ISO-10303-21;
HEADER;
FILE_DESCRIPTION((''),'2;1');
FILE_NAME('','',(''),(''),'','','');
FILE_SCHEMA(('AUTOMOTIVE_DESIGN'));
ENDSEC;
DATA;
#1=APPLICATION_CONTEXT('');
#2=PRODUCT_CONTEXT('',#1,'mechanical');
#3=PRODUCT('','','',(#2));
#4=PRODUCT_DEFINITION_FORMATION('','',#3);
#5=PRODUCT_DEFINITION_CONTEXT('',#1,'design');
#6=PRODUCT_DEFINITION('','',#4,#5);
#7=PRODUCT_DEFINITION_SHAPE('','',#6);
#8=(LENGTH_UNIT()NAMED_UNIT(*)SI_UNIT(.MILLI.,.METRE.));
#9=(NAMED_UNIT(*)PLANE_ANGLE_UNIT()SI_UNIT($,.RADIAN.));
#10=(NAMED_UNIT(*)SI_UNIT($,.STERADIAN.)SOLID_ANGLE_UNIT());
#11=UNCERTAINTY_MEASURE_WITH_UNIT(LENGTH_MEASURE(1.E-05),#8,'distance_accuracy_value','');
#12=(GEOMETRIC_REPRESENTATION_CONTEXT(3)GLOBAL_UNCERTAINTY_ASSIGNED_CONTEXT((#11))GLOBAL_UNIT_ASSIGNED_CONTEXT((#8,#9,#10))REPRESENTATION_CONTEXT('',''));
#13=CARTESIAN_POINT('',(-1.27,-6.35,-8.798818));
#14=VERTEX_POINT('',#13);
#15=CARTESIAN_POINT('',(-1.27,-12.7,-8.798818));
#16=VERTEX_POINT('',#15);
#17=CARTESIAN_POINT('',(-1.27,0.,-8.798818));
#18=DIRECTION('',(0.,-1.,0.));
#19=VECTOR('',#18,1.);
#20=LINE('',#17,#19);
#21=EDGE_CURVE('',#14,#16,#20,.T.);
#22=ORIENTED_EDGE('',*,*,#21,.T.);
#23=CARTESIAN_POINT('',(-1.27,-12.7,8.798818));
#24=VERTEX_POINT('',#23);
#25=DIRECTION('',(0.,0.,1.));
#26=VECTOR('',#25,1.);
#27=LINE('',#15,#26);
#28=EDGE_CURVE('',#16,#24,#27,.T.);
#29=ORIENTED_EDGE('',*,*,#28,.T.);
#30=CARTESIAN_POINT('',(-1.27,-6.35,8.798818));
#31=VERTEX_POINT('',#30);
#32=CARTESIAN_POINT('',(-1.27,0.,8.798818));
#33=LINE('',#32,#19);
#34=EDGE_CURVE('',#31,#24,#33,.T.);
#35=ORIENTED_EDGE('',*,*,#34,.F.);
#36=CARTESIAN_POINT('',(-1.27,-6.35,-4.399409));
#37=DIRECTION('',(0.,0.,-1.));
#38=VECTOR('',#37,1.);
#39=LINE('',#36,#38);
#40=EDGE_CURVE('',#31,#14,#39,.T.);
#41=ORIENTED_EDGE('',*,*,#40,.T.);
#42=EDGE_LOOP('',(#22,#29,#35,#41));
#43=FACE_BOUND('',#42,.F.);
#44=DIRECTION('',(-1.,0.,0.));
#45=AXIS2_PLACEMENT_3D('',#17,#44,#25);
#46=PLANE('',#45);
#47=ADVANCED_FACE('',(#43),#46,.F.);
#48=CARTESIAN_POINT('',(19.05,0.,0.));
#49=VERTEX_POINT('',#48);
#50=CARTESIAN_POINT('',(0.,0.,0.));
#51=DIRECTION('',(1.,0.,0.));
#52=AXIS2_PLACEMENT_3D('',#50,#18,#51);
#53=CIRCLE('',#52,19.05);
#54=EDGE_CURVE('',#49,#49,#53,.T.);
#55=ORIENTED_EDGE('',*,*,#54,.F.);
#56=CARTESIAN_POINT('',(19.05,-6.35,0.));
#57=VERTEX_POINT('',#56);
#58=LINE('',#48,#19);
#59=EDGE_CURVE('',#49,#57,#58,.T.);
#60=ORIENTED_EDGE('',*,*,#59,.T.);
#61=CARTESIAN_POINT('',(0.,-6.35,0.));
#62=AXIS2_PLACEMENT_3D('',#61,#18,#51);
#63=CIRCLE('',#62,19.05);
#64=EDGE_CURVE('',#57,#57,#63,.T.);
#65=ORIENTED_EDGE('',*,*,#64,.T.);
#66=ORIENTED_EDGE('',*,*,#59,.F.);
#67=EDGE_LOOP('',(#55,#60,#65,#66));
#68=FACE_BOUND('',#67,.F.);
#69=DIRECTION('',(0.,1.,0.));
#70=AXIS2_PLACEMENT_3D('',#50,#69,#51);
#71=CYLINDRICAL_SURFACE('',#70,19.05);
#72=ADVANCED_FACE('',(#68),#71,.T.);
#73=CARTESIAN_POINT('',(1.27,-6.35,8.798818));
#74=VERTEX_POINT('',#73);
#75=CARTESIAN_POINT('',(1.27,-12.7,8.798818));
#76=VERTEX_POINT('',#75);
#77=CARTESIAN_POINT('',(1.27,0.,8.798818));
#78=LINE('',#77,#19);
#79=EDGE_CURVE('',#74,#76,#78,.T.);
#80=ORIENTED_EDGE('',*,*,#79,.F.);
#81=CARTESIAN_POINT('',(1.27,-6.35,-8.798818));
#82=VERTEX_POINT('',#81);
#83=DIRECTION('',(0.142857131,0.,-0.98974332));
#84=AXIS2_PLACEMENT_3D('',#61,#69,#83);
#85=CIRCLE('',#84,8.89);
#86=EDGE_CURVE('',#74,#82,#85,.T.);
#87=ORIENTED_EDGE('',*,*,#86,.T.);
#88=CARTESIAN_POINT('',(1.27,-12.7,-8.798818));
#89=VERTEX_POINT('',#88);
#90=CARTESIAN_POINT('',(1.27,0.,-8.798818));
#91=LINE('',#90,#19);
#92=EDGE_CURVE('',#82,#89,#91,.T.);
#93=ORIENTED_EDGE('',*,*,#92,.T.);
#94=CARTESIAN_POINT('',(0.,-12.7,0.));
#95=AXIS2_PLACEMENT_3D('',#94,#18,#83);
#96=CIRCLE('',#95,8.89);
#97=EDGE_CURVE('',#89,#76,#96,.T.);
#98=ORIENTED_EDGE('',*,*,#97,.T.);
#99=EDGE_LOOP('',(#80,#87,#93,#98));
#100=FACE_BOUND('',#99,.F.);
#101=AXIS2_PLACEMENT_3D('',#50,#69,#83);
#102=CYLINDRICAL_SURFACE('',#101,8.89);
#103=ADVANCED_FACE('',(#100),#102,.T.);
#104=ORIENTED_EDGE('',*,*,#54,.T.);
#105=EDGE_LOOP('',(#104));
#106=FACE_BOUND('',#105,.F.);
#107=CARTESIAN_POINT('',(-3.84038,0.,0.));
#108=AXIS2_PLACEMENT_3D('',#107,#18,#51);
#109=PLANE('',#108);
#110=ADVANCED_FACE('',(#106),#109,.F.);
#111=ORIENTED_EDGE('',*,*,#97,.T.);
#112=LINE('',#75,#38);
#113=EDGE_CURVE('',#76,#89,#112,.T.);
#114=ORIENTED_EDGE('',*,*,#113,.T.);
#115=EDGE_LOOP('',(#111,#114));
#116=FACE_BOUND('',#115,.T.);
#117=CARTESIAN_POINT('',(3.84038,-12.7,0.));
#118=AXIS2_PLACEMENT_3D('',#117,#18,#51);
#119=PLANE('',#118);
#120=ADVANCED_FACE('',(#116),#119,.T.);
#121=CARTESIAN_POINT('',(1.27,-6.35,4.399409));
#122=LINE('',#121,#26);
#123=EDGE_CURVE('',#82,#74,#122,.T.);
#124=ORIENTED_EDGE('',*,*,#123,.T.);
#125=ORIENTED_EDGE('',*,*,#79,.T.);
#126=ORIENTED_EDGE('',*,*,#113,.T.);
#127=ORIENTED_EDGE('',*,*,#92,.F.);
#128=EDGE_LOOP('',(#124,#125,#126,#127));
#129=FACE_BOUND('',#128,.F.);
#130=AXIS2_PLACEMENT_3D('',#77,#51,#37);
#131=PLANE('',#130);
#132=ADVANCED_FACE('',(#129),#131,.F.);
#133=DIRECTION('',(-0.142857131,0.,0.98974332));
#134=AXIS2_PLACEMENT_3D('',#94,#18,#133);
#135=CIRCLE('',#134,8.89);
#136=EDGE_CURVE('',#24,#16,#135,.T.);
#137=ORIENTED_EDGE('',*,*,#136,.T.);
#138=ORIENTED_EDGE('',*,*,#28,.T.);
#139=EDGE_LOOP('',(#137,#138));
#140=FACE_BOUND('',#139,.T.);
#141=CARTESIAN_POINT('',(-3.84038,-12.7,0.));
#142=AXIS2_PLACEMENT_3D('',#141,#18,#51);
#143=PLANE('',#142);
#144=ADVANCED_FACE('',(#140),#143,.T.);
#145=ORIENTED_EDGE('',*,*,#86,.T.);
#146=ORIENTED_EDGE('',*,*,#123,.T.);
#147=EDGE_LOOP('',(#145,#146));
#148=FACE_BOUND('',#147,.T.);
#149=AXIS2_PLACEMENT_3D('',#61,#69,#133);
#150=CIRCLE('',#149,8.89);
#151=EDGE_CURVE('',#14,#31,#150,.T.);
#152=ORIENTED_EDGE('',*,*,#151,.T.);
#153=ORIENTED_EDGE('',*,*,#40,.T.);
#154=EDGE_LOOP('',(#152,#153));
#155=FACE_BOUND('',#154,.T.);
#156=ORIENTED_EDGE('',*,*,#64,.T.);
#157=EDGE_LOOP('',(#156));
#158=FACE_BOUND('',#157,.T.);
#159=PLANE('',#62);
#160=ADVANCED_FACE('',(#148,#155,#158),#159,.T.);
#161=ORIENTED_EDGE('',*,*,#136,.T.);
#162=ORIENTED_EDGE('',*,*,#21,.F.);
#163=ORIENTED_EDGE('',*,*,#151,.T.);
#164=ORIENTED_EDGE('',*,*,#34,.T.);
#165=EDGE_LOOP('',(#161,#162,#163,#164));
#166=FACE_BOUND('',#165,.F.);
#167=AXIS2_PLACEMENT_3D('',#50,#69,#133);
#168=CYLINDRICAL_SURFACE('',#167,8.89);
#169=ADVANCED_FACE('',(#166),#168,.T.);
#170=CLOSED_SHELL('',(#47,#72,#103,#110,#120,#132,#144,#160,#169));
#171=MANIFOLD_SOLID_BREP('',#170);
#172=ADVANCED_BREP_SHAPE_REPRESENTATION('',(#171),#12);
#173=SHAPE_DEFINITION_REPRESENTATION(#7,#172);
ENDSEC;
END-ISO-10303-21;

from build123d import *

# Parameters (mm, degrees)
F0_R     = 19.05
F1_DEPTH = 6.35
F3_DEPTH = 38.1
F4_DEPTH = 25.4


with BuildPart() as f1:
    # F0 (on Front) → F1 (new body)
    with BuildSketch(Plane.XZ):
        Circle(F0_R)
    extrude(amount=F1_DEPTH)

    # F2 (on Front) → F3 (join)
    with BuildSketch(Plane.XZ):
        with BuildLine():
            Line((-1.27, -8.798818), (-1.27, 8.798818))
            ThreePointArc((-1.27, 8.798818), (-8.89, 0), (-1.27, -8.798818))
        make_face()
        with BuildLine():
            ThreePointArc((1.27, -8.798818), (8.89, 0), (1.27, 8.798818))
            Line((1.27, 8.798818), (1.27, -8.798818))
        make_face()
    extrude(amount=F3_DEPTH)

    # F3_face (on face) → F4 (cut)
    with BuildSketch(Plane(origin=(4.46805, -38.1, 0), x_dir=(1, 0, 0), z_dir=(0, -1, 0))):
        with BuildLine():
            Line((-3.19805, 8.798818), (-3.19805, -8.798818))
            ThreePointArc((-3.19805, -8.798818), (4.42195, 0), (-3.19805, 8.798818))
        make_face()
        with BuildLine():
            Line((-5.73805, -8.798818), (-5.73805, 8.798818))
            ThreePointArc((-5.73805, 8.798818), (-13.35805, 0), (-5.73805, -8.798818))
        make_face()
    extrude(amount=-F4_DEPTH, mode=Mode.SUBTRACT)


solid = f1.part
